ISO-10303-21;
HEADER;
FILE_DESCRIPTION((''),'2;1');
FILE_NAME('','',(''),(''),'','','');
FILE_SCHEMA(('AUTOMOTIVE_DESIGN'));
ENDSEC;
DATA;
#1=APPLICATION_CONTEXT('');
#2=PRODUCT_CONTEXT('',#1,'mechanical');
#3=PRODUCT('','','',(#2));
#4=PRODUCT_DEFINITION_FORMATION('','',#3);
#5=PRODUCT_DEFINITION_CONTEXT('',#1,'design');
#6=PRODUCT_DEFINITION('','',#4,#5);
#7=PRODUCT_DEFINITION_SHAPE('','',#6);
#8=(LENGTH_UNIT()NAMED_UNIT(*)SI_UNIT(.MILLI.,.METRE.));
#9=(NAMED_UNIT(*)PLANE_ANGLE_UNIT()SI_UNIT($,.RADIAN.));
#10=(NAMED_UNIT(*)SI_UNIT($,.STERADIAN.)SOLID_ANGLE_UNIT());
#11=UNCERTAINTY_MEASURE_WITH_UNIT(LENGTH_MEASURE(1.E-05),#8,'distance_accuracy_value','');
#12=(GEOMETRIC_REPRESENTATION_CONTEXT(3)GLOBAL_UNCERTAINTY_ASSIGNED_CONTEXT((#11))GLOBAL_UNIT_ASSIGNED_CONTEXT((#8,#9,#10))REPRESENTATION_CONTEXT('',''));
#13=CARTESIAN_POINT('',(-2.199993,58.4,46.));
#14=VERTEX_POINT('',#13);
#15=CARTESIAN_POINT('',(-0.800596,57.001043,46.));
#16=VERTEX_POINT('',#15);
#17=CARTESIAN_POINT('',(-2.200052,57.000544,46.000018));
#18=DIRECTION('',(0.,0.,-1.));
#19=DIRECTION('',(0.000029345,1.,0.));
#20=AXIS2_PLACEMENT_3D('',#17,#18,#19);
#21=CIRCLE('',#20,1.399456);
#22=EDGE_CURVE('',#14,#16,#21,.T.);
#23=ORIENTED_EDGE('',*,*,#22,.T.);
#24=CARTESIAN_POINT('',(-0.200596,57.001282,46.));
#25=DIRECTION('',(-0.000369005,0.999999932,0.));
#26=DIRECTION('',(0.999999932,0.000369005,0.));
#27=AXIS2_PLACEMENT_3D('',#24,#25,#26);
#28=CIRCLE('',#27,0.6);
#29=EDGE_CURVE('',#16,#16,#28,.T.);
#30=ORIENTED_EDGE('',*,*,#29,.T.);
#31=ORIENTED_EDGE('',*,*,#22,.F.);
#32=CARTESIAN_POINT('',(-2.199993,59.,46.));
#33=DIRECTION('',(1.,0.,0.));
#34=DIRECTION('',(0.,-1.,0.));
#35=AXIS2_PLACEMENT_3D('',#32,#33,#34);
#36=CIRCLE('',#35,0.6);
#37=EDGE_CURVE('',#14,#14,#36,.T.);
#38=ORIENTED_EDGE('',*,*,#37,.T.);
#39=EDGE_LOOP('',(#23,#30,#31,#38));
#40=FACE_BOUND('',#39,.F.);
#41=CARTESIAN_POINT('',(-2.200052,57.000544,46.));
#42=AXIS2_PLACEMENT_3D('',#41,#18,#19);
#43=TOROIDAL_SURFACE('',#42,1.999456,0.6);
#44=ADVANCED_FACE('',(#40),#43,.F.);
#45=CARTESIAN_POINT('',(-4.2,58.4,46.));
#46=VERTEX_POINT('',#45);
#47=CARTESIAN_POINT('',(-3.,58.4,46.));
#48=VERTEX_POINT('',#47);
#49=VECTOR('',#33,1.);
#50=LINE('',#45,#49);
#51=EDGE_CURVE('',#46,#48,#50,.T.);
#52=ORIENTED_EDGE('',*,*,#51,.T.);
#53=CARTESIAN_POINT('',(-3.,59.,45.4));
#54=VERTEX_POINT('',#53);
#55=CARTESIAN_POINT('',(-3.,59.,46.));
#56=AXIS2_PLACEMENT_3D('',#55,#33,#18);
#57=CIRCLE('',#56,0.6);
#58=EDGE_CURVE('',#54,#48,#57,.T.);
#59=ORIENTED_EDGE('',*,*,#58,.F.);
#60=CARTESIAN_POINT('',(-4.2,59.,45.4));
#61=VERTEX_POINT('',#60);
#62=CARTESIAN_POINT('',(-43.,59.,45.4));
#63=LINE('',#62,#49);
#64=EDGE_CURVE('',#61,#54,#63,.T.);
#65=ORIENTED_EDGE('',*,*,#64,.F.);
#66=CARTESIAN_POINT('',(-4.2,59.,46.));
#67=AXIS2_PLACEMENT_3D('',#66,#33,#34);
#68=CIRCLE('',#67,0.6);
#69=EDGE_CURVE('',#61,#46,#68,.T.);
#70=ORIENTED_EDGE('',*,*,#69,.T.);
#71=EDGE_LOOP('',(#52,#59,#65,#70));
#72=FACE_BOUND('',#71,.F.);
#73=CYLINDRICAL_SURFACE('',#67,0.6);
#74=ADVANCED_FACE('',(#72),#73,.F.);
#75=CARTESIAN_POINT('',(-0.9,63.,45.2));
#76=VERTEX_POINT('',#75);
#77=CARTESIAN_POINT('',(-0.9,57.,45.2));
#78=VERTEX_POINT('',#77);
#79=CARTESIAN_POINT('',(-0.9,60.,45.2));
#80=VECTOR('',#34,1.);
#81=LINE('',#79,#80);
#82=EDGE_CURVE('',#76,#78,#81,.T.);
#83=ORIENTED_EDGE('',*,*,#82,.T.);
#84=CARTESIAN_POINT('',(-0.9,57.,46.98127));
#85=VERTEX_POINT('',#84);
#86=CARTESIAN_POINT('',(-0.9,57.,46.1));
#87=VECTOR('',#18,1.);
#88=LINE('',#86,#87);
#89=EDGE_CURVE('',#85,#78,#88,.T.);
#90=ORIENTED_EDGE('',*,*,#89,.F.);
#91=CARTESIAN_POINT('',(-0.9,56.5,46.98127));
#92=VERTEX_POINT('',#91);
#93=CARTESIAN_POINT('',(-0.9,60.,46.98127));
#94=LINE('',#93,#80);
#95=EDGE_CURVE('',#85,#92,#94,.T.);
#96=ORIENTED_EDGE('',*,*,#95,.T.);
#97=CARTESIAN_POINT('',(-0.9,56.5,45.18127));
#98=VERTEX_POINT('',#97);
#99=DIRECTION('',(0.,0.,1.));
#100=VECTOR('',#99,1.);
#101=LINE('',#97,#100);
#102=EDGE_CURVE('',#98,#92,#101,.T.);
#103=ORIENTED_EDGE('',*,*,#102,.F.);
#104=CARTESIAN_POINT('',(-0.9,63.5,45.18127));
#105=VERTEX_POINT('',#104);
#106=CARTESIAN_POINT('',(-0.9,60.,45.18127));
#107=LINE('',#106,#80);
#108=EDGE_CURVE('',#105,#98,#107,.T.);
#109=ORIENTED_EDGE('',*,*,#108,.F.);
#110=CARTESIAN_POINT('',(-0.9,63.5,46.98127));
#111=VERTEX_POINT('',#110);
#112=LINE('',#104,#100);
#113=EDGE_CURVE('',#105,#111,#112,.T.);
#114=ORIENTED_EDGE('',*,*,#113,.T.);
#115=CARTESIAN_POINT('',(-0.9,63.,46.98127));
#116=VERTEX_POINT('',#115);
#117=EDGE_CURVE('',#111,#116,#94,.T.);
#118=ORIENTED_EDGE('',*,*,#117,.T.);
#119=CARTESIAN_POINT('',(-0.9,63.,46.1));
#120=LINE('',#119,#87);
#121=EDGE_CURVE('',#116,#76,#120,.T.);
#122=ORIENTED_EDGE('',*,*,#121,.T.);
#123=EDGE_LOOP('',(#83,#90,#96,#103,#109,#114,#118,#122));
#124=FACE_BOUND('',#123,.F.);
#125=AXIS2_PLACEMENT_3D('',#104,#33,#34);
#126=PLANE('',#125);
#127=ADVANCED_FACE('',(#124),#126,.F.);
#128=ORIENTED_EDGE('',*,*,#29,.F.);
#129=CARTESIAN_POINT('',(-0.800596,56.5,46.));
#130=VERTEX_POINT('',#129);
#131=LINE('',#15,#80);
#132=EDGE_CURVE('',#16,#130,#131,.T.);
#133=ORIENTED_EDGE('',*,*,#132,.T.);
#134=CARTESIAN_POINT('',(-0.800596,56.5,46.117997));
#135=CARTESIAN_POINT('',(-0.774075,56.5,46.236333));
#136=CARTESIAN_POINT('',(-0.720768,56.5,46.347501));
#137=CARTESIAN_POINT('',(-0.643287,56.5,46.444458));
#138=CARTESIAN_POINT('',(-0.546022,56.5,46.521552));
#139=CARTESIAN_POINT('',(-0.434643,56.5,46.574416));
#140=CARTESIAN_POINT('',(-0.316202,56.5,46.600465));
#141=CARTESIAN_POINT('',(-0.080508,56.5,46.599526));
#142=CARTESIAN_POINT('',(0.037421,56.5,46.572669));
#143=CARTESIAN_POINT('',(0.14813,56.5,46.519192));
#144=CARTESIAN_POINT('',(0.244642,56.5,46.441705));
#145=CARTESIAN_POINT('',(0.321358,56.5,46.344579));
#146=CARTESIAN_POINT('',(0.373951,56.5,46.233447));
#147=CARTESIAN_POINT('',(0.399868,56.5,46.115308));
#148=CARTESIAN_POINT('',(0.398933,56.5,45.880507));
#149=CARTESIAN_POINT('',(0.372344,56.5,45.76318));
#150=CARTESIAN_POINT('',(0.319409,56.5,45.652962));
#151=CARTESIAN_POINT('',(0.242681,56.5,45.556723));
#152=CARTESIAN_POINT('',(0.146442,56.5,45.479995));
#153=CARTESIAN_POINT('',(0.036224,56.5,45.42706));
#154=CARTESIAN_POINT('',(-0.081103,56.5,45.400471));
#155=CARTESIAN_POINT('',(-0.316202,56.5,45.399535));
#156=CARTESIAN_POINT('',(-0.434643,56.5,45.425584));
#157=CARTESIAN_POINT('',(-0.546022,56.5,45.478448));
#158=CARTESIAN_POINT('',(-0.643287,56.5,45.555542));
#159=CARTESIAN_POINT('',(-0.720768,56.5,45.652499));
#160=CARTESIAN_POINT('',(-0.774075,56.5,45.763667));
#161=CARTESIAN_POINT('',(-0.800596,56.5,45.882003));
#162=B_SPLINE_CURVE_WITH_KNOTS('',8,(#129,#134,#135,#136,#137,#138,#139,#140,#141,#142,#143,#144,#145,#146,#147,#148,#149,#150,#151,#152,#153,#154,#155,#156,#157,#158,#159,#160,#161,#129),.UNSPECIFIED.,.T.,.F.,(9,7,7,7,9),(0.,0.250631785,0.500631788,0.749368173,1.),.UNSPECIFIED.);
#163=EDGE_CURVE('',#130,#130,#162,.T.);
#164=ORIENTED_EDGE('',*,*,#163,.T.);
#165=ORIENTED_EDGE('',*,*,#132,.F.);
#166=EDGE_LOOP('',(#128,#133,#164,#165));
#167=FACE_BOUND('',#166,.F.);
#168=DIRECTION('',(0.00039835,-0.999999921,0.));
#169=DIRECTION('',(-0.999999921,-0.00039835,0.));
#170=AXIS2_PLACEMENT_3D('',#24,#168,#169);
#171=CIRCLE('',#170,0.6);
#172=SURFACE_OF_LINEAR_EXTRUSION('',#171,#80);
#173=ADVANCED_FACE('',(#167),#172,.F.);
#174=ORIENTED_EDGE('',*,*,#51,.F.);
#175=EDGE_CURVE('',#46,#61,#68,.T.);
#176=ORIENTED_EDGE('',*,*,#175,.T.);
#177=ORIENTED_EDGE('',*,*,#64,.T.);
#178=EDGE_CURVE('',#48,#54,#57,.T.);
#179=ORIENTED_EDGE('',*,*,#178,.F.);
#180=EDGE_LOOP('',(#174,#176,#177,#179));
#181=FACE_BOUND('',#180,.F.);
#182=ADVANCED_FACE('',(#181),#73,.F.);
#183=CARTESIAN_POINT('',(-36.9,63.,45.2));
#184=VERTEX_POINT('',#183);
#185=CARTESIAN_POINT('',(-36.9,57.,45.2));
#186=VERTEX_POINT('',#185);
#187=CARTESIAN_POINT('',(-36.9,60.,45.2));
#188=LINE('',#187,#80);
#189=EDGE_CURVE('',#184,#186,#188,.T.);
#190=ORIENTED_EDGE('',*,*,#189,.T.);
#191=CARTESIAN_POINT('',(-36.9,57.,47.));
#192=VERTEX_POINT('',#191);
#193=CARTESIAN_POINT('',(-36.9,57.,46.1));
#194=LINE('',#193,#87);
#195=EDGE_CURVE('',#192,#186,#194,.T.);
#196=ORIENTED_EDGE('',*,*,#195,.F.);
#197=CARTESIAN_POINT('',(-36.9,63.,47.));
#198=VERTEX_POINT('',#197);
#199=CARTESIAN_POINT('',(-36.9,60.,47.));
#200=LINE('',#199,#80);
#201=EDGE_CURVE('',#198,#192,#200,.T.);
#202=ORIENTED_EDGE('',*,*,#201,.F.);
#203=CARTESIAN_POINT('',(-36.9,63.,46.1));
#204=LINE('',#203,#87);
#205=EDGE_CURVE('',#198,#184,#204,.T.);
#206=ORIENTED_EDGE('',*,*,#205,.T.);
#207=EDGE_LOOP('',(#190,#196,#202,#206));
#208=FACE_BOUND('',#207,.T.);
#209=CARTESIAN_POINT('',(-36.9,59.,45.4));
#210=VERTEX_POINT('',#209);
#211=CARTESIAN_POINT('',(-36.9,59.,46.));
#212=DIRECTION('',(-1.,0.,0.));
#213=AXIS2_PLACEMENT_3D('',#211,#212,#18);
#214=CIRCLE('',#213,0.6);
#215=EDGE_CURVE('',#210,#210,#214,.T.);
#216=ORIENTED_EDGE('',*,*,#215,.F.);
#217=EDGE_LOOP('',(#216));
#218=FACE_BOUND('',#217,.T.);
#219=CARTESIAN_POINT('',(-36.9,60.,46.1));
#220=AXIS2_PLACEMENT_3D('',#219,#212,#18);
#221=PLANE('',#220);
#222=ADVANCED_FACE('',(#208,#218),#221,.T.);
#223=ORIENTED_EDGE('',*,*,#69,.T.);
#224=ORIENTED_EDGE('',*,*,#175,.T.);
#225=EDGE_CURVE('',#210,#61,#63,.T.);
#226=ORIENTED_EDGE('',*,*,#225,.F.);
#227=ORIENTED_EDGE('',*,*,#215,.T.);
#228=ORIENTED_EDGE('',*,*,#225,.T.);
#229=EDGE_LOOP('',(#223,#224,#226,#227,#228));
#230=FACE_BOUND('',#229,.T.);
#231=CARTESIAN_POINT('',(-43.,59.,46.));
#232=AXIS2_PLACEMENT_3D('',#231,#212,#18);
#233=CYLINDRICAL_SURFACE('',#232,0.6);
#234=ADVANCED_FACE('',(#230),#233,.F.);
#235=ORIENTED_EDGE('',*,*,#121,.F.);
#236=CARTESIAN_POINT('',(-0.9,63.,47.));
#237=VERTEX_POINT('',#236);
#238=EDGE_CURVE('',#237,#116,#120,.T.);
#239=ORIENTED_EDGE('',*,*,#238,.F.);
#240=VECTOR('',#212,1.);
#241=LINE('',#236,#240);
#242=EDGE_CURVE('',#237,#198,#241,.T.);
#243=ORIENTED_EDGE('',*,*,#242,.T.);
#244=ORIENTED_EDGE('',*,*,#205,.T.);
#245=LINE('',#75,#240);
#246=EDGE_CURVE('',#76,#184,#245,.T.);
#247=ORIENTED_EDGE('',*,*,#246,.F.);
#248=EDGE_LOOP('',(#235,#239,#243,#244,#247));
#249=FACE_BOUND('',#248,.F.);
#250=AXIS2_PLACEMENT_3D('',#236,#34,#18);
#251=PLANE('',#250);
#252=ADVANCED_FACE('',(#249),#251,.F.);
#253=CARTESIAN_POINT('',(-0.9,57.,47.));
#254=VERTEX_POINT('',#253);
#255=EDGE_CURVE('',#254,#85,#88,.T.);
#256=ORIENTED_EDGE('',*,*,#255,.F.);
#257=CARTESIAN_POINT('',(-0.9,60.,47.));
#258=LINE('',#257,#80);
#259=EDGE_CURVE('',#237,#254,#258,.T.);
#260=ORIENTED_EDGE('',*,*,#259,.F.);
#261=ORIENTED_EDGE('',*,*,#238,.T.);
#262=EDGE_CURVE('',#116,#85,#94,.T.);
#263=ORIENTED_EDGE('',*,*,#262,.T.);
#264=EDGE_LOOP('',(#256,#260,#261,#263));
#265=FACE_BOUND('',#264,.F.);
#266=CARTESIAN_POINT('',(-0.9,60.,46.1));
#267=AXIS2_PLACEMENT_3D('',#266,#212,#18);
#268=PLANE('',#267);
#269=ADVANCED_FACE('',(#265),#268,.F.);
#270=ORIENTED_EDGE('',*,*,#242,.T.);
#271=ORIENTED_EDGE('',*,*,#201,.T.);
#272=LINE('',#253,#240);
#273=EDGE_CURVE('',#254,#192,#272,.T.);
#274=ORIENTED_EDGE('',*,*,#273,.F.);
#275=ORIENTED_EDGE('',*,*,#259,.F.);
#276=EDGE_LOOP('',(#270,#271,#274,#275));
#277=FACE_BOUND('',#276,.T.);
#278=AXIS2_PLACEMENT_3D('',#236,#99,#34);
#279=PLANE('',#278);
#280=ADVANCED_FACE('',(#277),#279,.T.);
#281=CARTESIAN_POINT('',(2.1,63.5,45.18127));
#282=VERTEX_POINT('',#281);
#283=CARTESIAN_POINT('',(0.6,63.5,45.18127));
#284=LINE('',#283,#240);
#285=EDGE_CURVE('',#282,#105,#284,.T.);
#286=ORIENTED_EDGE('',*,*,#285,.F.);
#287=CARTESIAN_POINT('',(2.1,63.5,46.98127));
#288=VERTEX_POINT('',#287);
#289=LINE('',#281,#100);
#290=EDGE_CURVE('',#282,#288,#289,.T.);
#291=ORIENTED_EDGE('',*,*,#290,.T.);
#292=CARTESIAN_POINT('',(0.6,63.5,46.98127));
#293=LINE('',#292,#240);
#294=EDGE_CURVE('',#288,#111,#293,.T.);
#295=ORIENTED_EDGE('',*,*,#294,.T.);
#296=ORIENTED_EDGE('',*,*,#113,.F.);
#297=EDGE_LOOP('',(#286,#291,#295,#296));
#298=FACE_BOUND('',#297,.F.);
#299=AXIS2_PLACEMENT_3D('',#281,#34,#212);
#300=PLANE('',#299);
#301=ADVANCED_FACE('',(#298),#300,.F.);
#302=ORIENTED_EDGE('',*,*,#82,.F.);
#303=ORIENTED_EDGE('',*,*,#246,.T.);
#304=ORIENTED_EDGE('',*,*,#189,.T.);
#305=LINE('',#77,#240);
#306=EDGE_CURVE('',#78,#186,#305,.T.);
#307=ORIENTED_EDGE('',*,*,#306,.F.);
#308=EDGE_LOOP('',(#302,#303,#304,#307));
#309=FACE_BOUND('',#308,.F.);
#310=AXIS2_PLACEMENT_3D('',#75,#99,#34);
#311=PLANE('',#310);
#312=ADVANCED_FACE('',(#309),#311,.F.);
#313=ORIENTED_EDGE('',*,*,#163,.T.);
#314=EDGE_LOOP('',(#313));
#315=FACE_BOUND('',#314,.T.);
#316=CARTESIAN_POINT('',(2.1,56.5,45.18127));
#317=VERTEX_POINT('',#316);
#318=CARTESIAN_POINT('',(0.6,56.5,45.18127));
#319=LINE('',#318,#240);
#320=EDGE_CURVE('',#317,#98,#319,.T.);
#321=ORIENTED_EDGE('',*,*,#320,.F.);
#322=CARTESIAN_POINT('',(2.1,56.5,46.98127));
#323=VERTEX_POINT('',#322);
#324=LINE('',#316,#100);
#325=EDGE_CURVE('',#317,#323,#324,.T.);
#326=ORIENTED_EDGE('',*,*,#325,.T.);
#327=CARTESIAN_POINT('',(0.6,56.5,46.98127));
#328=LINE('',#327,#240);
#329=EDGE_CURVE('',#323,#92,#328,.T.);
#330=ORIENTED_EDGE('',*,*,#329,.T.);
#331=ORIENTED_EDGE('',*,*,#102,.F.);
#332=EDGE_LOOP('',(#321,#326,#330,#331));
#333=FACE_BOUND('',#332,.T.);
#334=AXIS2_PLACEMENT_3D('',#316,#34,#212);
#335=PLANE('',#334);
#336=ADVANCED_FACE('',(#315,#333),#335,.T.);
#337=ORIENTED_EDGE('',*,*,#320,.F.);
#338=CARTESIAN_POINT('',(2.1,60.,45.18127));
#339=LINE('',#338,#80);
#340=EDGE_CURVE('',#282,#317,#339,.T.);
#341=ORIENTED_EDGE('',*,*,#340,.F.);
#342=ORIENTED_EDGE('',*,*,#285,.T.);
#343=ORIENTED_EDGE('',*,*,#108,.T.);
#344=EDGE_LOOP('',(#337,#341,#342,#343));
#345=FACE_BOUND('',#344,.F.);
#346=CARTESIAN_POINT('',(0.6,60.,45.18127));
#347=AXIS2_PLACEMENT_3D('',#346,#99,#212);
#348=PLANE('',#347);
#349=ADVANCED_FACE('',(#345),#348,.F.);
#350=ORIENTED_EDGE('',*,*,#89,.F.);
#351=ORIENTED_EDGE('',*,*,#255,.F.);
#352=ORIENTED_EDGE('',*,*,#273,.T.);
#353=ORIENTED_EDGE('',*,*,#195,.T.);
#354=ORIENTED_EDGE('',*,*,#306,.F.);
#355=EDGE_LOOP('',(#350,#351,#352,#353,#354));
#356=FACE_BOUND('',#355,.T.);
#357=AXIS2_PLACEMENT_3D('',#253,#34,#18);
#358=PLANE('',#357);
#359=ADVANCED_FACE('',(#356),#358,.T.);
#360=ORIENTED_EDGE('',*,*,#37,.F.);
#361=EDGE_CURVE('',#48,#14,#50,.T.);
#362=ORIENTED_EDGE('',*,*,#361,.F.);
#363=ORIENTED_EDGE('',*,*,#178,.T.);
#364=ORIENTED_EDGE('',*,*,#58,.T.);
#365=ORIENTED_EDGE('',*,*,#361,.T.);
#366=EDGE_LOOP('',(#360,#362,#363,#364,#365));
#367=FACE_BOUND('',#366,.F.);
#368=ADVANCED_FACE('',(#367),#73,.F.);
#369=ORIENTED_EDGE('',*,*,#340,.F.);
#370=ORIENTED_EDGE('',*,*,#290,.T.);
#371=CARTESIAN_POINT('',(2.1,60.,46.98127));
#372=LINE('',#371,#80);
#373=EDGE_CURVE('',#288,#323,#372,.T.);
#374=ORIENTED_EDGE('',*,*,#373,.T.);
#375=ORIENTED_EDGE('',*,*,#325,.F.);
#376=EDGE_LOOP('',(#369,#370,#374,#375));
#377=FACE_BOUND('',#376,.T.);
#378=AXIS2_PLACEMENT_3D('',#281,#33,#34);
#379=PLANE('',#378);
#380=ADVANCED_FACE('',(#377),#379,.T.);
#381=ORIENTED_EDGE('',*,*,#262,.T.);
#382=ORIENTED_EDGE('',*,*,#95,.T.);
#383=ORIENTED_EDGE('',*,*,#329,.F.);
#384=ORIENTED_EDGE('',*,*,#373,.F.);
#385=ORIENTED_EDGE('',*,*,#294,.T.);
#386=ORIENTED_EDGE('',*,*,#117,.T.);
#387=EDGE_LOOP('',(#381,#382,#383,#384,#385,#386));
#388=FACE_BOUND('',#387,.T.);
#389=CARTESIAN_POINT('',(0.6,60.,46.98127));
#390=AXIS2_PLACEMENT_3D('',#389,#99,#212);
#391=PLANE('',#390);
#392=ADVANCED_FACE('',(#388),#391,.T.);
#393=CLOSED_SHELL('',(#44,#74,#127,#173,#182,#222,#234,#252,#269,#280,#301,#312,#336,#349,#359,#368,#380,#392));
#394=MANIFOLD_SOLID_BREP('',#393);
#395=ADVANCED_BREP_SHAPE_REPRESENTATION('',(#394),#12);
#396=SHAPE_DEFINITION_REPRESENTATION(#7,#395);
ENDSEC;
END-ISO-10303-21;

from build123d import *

# Parameters (mm, degrees)
CYLINDER041_R                = 0.6
CYLINDER041_DEPTH            = 40
CYLINDER041_PITCH_ANGLE      = 90
SKETCH004_R                  = 0.6
SWEEP_PLACEMENT_ANGLE        = 180
BOX035_W                     = 3
BOX035_H                     = 7
BOX035_DEPTH                 = 1.8
BOX034_W                     = 1.8
BOX034_H                     = 6
BOX034_DEPTH                 = 36
BOX034_PITCH_ANGLE           = 90
FUSION002018_PLACEMENT_ANGLE = 180


with BuildPart() as cilindro041:
    # Cylinder041 → Cylinder041 (new body)
    with BuildSketch(Plane.XY):
        Circle(CYLINDER041_R)
    extrude(amount=CYLINDER041_DEPTH)


with BuildPart() as cilindro041_1:
    # Cylinder041 pitch: moved
    add(cilindro041.part.rotate(Axis((0, 0, 0), (0, 1, 0)), CYLINDER041_PITCH_ANGLE))


with BuildPart() as cilindro041_2:
    # Cylinder041 placement: moved
    add(cilindro041_1.part.moved(Location((-43, 59, 57))))


with BuildPart() as fusion002020:
    # Sweep: sweep along a path in Sketch002
    with BuildLine(Plane.XY) as sweep_path:
        Line((0, 0), (2.000007, 0))
        ThreePointArc((2.000007, 0), (3.413537, 0.585387), (3.999404, 1.998718))
        Line((3.999404, 1.998718), (3.999404, 3.99963))
    # Sketch004 → Sweep (sweep)
    with BuildSketch(Plane.YZ):
        Circle(SKETCH004_R)
    sweep(path=sweep_path.line, transition=Transition.RIGHT)


with BuildPart() as fusion002020_1:
    # Sweep placement: moved
    add(fusion002020.part.moved(Location((-4.2, 59, 57))).rotate(Axis((-4.2, 59, 57), (1, 0, 0)), SWEEP_PLACEMENT_ANGLE))

    # Fusion002020: union Cilindro041
    add(cilindro041_2.part)


with BuildPart() as cubo035:
    # Box035 → Box035 (new body)
    with BuildSketch(Plane(origin=(-3, -0.5, -1.81873), x_dir=(1, 0, 0), z_dir=(0, 0, 1))):
        with Locations((1.5, 3.5)):
            Rectangle(BOX035_W, BOX035_H)
    extrude(amount=BOX035_DEPTH)


with BuildPart() as cut061:
    # Box034 → Box034 (new body)
    with BuildSketch(Plane.XY):
        with Locations((0.9, 3)):
            Rectangle(BOX034_W, BOX034_H)
    extrude(amount=BOX034_DEPTH)


with BuildPart() as cut061_1:
    # Box034 pitch: moved
    add(cut061.part.rotate(Axis((0, 0, 0), (0, 1, 0)), BOX034_PITCH_ANGLE))


with BuildPart() as cut061_2:
    # Box034 placement: moved
    add(cut061_1.part)

    # Fusion002018: union Cubo035
    add(cubo035.part)


with BuildPart() as cut061_3:
    # Fusion002018 placement: moved
    add(cut061_2.part.moved(Location((-0.9, 63, 58))).rotate(Axis((-0.9, 63, 58), (0, 0, 1)), FUSION002018_PLACEMENT_ANGLE))

    # Cut061: cut Fusion002020
    add(fusion002020_1.part, mode=Mode.SUBTRACT)


with BuildPart() as cut061_4:
    # Cut061 placement: moved
    add(cut061_3.part.moved(Location((0, 0, -11))))


solid = cut061_4.part
